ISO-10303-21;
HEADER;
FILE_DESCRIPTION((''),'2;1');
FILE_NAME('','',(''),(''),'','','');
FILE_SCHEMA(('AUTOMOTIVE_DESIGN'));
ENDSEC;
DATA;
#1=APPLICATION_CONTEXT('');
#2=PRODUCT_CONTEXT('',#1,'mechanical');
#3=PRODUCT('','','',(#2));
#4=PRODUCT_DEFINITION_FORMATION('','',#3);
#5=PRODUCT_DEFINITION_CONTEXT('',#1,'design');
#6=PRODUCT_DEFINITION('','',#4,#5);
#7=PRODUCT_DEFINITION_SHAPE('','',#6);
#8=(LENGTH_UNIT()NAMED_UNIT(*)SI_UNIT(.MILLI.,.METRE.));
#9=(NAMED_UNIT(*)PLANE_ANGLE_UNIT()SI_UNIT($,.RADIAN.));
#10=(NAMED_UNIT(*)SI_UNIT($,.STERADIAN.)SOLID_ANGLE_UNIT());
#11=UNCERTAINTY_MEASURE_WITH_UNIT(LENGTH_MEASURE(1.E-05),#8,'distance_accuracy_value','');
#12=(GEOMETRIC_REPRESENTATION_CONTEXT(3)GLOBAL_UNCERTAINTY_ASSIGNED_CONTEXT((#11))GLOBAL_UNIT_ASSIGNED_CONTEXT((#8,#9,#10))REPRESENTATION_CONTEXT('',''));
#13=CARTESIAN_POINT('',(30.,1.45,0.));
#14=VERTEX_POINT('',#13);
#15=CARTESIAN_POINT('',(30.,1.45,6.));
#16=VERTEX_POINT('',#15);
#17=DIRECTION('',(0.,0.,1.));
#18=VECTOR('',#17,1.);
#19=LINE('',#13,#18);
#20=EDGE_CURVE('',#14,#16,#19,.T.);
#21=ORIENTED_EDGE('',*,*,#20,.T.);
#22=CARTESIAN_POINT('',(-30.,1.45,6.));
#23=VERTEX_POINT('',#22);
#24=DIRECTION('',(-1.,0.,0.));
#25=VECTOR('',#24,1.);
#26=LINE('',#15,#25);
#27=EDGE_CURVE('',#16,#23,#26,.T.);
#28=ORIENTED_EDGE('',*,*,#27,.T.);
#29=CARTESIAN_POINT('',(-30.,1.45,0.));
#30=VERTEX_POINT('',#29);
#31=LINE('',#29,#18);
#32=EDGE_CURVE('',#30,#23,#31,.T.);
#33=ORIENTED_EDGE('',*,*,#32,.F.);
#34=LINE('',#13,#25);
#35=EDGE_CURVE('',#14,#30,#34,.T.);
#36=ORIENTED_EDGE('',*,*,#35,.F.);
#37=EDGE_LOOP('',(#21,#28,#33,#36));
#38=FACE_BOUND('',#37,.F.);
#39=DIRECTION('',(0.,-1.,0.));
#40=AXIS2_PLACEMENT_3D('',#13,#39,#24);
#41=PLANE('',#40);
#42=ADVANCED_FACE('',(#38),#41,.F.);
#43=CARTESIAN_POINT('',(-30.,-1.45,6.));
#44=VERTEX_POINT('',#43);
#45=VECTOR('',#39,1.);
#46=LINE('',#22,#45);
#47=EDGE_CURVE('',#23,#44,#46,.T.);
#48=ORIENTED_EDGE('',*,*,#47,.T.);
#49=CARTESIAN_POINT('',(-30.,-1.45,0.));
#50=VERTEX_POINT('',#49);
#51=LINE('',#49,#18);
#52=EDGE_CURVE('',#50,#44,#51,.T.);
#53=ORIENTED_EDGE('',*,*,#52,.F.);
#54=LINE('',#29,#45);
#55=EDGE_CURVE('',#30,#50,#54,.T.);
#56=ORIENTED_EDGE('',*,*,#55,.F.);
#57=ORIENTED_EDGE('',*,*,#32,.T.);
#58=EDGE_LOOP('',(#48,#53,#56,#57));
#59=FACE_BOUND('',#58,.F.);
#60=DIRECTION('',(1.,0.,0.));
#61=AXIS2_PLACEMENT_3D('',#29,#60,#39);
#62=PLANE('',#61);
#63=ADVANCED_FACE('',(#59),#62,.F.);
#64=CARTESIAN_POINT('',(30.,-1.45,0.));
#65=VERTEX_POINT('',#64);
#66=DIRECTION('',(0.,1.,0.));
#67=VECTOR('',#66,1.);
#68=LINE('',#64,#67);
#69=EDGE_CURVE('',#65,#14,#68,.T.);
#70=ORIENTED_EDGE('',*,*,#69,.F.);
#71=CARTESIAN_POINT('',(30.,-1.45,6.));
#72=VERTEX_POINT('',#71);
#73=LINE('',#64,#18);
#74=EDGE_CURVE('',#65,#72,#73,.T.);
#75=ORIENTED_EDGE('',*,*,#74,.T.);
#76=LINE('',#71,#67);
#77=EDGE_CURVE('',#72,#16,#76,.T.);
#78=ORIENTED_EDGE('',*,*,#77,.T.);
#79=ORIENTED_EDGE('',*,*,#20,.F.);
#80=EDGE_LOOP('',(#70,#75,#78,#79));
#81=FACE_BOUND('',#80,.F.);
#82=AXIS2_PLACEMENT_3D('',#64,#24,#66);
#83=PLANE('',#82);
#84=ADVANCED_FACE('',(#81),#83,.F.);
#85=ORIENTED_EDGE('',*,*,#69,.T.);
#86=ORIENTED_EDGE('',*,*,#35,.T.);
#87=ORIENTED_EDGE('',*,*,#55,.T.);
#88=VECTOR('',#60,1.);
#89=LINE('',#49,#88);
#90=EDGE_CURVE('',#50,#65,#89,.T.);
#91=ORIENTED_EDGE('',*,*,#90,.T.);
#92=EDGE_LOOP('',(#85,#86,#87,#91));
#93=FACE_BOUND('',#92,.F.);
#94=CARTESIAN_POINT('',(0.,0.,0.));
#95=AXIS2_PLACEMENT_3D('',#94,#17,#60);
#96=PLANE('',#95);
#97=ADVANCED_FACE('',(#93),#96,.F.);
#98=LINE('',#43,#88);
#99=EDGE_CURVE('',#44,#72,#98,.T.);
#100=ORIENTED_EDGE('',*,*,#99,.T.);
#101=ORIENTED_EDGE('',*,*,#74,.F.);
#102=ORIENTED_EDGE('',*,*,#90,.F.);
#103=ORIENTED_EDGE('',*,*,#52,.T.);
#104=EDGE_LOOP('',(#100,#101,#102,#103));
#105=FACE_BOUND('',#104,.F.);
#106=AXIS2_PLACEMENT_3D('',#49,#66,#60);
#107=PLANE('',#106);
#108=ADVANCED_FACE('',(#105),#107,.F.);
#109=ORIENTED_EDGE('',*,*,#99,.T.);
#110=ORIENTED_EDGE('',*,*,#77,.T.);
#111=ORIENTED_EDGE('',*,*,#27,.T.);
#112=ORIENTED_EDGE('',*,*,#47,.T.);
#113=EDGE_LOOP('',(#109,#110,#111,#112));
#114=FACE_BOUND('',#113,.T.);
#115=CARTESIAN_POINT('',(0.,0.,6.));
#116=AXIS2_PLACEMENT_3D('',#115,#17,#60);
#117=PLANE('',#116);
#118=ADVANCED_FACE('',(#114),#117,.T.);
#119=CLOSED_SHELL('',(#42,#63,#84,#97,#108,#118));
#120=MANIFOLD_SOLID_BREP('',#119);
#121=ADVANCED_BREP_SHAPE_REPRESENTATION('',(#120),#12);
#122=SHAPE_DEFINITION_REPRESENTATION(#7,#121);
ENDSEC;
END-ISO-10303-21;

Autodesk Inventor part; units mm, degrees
ref_plane "YZ Plane" through (0, 0, 0) normal (1, 0, 0) x (0, 1, 0)
ref_plane "XZ Plane" through (0, 0, 0) normal (0, 1, 0) x (-1, 0, 0)
ref_plane "XY Plane" through (0, 0, 0) normal (0, 0, 1) x (1, 0, 0)
sketch "Schizzo1" plane through (0, 0, 0) normal (0, 0, 1) x (1, 0, 0)
  line L0 (-30, -1.45) -> (30, -1.45)
  line L1 (30, -1.45) -> (30, 1.45)
  line L2 (30, 1.45) -> (-30, 1.45)
  line L3 (-30, 1.45) -> (-30, -1.45)
  line L4 (-30, -1.45) -> (30, 1.45) construction
  line L5 (30, -1.45) -> (-30, 1.45) construction
  point P0 (0, 0)
  dimension "d0" = 60
  dimension "d1" = 2.9
extrude "Estrusione1" add sketch "Schizzo1" along normal blind 6
properties part number "Board connector"
